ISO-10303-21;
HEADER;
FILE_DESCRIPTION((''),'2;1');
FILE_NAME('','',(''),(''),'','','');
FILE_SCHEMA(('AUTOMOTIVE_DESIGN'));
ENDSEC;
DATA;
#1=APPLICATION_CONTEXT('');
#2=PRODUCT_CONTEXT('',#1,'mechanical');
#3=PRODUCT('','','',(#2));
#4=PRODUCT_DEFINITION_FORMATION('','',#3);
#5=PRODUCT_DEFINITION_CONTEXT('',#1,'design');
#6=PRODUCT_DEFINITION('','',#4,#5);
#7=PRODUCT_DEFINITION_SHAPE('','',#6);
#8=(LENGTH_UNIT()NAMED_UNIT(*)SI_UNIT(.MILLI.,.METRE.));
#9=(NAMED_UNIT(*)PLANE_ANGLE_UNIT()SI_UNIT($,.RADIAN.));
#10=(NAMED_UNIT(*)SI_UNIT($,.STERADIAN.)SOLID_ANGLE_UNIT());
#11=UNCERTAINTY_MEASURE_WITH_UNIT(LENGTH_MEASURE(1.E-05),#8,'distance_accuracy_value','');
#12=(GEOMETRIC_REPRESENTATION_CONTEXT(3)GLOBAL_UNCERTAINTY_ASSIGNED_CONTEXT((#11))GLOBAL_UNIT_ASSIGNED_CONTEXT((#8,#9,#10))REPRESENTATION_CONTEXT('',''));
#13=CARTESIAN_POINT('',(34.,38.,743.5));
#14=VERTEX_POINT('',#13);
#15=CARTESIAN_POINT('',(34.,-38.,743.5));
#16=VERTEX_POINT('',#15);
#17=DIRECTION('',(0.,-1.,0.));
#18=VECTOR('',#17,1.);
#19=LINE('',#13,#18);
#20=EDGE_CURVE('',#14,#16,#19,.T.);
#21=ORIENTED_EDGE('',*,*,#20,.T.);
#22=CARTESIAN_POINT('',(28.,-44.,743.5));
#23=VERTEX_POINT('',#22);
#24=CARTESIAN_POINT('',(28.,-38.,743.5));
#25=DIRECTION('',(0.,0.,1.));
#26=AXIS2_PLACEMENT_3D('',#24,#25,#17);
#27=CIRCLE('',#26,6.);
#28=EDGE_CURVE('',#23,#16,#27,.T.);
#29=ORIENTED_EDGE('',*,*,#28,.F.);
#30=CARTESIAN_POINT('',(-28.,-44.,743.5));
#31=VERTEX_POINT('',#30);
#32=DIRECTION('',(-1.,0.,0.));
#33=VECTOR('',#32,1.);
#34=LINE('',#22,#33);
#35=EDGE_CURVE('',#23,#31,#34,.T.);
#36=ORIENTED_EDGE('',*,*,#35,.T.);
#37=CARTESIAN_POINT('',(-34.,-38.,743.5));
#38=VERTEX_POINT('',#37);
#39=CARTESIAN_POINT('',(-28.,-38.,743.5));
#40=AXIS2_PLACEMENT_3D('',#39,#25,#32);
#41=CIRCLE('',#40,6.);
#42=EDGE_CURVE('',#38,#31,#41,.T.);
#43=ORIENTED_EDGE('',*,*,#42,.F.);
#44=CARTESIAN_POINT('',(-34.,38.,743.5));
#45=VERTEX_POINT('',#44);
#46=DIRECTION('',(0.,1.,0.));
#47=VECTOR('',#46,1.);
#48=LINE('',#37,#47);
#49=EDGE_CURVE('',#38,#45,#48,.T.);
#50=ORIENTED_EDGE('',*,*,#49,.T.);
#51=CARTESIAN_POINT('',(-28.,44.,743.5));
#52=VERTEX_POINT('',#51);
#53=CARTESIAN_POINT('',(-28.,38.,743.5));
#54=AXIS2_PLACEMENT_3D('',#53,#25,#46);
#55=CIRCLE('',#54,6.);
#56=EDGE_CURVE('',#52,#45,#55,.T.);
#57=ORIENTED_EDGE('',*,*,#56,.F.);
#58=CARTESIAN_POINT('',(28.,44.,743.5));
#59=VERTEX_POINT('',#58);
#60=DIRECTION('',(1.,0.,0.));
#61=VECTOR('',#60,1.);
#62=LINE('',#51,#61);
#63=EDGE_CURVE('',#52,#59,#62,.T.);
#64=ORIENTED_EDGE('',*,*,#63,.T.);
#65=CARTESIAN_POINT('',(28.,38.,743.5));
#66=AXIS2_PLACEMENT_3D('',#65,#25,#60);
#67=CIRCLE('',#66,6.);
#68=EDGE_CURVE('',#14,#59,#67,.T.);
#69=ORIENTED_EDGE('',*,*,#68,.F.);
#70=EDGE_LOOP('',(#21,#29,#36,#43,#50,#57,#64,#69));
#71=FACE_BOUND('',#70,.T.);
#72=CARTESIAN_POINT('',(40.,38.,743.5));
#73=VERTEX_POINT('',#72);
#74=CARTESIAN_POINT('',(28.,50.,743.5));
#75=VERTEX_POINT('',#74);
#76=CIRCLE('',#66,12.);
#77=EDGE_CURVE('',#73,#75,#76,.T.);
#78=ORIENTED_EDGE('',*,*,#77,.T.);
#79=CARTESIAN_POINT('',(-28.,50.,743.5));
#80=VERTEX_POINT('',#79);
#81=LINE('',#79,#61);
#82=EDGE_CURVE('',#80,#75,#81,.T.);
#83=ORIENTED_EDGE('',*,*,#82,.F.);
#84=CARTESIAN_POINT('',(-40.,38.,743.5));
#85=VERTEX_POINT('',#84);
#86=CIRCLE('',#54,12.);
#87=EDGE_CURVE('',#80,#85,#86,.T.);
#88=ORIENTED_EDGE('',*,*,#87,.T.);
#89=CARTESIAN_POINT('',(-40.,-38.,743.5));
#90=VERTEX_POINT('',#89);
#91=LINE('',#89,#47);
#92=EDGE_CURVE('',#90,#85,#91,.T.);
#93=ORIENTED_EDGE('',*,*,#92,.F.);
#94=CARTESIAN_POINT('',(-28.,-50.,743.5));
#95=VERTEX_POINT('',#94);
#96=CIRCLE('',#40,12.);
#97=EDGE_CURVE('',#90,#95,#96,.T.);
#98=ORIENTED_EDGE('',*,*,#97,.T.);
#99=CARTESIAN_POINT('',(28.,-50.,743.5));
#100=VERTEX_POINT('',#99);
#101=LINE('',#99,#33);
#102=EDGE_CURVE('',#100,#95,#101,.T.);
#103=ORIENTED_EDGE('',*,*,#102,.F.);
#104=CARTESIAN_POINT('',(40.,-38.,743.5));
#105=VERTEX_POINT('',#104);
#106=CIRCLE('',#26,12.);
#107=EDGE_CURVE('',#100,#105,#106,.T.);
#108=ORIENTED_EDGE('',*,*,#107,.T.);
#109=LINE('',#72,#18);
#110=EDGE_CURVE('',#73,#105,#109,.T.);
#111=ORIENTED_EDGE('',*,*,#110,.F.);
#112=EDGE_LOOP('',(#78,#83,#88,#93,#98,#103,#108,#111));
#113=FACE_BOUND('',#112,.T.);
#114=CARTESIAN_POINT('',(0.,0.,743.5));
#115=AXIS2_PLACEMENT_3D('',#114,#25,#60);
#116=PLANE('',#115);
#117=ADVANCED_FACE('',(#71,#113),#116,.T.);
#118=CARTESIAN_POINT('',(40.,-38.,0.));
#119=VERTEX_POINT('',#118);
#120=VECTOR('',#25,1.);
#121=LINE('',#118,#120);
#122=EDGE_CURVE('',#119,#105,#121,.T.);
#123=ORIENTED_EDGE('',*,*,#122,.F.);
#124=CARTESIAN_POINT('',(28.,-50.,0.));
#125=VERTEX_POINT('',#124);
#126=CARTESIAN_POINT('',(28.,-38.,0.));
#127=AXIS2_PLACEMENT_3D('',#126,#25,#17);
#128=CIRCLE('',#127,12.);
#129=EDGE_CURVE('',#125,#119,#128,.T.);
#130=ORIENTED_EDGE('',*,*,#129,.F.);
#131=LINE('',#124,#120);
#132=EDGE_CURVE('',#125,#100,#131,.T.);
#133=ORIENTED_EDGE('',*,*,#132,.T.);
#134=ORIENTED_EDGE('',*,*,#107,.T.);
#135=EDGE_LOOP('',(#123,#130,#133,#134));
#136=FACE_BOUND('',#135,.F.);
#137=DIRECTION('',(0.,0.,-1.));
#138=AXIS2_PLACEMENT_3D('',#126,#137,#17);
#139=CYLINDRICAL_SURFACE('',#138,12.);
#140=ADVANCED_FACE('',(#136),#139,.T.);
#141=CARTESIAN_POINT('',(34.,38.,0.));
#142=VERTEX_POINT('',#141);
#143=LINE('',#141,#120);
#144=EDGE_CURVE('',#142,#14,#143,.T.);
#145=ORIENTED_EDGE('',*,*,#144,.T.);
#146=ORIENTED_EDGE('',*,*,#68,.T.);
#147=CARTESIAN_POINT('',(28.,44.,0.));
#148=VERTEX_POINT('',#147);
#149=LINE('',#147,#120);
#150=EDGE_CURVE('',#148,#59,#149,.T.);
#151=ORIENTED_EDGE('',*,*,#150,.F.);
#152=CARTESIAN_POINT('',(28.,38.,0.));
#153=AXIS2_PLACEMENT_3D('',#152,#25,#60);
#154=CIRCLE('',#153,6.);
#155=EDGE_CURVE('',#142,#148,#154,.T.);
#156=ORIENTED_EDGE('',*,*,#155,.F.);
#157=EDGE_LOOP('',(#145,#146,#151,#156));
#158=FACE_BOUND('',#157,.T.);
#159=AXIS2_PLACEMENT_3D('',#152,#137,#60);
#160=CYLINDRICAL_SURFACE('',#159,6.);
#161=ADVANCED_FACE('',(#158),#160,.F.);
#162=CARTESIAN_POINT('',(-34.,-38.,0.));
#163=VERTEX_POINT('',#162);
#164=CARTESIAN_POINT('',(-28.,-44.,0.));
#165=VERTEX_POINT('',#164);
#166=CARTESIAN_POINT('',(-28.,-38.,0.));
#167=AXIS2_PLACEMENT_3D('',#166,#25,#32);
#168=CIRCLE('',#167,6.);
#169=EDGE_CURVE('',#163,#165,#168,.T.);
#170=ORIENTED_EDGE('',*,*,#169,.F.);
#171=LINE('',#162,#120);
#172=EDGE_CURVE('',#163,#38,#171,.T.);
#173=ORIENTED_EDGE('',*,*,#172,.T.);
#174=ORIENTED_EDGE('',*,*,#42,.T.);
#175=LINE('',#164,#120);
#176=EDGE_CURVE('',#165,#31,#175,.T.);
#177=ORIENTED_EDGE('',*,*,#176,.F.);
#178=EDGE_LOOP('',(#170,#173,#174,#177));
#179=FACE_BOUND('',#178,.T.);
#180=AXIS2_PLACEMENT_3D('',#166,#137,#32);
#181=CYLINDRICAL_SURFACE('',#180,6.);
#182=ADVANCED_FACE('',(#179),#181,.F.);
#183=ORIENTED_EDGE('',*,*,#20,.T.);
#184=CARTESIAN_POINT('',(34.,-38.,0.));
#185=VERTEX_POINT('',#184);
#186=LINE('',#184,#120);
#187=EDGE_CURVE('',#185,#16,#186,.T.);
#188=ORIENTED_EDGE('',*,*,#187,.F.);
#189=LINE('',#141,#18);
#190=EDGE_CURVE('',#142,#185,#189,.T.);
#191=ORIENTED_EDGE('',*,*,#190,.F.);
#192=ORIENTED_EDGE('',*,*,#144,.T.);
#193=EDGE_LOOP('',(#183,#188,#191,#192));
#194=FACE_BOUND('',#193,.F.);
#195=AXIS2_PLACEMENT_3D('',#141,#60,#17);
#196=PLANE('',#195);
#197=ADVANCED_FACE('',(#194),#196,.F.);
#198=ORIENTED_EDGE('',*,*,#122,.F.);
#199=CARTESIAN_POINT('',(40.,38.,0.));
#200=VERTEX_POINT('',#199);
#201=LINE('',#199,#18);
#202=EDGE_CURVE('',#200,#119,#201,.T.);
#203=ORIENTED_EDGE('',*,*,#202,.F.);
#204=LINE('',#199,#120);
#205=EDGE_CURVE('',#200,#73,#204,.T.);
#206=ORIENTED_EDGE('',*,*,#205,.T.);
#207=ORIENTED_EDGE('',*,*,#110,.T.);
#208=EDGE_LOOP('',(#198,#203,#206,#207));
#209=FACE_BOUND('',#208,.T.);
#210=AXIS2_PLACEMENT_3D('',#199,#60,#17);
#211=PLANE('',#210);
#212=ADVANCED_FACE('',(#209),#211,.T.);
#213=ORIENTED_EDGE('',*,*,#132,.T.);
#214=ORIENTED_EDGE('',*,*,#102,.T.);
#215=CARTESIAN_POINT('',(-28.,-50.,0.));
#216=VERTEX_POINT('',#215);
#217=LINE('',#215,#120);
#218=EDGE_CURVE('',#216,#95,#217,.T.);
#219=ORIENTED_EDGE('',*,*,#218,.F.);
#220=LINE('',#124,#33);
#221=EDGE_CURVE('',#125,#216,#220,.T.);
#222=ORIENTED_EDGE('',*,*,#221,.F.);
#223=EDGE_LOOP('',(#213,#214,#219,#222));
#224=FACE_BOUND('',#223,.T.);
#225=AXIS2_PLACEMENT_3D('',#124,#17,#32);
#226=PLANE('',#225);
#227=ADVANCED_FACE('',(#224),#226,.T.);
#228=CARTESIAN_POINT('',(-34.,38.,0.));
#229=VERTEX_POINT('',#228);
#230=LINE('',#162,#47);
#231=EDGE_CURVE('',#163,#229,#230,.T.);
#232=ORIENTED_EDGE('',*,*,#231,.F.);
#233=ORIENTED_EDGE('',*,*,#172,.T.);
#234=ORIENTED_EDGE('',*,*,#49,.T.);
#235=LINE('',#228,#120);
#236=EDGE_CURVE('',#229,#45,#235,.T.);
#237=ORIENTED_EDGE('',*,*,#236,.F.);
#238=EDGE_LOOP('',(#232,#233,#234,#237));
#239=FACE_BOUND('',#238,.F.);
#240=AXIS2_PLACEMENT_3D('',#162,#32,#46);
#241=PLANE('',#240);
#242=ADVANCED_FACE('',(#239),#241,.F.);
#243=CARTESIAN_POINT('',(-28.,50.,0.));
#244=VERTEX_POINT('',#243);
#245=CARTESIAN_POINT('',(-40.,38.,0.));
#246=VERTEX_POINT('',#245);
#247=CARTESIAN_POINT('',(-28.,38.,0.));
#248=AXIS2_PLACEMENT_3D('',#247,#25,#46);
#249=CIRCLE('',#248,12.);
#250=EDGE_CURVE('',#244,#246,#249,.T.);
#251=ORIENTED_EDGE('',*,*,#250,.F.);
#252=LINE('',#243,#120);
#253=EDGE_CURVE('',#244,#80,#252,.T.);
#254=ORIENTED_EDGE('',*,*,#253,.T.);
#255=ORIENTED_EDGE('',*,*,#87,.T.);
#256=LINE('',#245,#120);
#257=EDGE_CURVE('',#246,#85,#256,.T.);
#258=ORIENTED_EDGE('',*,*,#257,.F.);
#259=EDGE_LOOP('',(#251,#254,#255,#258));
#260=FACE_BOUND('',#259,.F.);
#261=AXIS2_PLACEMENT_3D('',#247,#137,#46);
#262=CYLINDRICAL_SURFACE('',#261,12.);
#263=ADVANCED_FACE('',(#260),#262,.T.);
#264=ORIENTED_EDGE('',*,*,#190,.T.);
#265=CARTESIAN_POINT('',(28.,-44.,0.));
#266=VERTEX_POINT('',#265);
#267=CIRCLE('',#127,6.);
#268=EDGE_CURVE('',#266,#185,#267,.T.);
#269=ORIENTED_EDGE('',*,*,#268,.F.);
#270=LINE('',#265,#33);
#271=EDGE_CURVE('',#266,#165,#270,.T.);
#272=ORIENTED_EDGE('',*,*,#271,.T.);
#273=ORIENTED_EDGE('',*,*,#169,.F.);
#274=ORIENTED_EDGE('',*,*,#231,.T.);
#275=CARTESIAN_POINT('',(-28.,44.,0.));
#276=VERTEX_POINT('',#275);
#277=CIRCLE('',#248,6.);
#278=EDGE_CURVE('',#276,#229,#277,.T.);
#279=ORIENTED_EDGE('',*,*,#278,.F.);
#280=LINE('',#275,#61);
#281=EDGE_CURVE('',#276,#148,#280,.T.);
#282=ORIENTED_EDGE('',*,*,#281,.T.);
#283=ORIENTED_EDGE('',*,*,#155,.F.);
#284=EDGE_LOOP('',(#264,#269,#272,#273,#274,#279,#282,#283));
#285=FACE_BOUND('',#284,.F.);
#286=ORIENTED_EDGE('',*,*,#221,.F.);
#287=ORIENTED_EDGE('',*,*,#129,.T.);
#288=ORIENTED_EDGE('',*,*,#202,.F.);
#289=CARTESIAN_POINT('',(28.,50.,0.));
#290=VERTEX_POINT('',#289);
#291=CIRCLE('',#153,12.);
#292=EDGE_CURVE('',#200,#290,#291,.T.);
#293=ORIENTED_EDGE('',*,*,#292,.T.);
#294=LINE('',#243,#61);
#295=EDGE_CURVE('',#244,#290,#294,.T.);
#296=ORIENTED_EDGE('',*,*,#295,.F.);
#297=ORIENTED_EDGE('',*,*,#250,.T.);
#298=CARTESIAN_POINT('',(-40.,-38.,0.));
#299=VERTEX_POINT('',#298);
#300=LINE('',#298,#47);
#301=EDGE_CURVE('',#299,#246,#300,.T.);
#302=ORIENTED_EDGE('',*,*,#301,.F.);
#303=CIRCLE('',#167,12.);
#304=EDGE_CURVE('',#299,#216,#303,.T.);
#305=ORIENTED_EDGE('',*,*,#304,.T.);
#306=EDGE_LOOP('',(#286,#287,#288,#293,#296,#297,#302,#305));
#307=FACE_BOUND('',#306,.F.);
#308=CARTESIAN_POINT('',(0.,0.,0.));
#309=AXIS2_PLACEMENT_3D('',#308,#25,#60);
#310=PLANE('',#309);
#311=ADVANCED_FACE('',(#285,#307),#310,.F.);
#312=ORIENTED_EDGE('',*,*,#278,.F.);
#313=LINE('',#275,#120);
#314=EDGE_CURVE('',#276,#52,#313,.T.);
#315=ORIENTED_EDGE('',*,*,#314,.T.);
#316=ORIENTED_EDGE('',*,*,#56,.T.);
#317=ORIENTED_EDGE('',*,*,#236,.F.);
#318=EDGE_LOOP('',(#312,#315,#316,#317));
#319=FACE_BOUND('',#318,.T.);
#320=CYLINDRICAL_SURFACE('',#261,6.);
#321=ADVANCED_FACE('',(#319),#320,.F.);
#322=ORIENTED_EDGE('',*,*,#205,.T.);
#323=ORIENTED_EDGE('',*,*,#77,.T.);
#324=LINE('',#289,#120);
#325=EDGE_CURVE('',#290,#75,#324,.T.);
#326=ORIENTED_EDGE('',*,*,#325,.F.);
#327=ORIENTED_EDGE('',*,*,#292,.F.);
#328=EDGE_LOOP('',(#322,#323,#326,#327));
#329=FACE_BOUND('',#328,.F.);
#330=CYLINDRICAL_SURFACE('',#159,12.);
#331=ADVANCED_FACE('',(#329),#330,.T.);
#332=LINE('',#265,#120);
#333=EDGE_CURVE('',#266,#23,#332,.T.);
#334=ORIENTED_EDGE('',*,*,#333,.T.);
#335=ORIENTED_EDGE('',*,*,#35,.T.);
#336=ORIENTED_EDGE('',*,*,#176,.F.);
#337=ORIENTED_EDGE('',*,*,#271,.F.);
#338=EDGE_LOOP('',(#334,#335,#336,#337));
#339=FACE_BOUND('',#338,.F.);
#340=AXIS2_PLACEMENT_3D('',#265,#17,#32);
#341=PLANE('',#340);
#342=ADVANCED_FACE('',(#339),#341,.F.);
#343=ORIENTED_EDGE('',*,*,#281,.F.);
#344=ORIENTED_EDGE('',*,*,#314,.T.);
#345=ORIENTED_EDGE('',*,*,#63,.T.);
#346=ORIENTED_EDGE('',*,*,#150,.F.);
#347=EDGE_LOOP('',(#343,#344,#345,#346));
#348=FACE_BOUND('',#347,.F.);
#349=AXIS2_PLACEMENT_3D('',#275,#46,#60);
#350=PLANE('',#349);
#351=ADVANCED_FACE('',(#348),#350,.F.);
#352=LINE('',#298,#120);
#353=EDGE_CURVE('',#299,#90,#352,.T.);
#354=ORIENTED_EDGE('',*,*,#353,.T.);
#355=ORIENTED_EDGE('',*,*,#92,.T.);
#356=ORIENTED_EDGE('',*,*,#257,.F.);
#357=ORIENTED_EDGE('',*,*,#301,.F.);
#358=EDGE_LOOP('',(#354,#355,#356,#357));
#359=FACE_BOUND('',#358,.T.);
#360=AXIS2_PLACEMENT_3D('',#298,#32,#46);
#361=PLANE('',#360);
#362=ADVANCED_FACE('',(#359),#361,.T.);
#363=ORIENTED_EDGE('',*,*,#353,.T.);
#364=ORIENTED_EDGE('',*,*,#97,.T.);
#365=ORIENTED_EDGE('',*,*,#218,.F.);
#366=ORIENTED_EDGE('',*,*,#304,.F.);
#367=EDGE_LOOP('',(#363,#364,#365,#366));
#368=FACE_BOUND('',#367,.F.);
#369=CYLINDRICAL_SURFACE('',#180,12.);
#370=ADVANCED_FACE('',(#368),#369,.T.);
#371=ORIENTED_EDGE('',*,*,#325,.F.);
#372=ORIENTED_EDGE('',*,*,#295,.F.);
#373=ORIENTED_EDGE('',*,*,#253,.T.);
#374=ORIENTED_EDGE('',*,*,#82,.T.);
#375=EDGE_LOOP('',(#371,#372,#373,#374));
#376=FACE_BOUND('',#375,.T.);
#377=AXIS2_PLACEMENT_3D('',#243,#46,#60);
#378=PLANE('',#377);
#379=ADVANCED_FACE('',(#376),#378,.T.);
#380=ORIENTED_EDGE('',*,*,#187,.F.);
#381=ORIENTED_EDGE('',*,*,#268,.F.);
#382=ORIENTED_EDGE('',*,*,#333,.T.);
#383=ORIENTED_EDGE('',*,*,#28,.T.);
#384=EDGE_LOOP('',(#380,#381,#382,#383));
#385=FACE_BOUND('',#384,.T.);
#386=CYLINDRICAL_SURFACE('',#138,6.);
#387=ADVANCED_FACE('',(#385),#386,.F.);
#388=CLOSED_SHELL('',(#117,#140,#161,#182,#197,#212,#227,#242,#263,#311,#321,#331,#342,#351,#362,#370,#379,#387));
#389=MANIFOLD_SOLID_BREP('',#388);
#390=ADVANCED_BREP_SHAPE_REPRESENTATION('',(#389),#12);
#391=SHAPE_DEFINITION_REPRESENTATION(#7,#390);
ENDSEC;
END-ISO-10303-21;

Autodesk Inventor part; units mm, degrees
ref_plane "YZ Plane" through (0, 0, 0) normal (1, 0, 0) x (0, 1, 0)
ref_plane "Start plane" through (0, 0, 0) normal (0, 0, 1) x (1, 0, 0)
ref_plane "End plane" through (0, 0, 655) normal (0, 0, 1) x (1, 0, 0)
sketch "Sketch" plane through (0, 0, 0) normal (0, 0, 1) x (1, 0, 0)
  line L0 (-40, -38) -> (-40, 38)
  line L1 (-28, 50) -> (28, 50)
  line L2 (40, 38) -> (40, -38)
  line L3 (28, -50) -> (-28, -50)
  arc A0 (-40, -38) -> (-28, -50) centre (-28, -38) ccw
  arc A1 (-28, 50) -> (-40, 38) centre (-28, 38) ccw
  arc A2 (40, 38) -> (28, 50) centre (28, 38) ccw
  arc A3 (28, -50) -> (40, -38) centre (28, -38) ccw
  arc A4 (-28, 44) -> (-34, 38) centre (-28, 38) ccw
  line L4 (-28, 44) -> (28, 44)
  arc A5 (34, 38) -> (28, 44) centre (28, 38) ccw
  line L5 (34, 38) -> (34, -38)
  arc A6 (28, -44) -> (34, -38) centre (28, -38) ccw
  line L6 (28, -44) -> (-28, -44)
  arc A7 (-34, -38) -> (-28, -44) centre (-28, -38) ccw
  line L7 (-34, -38) -> (-34, 38)
  line L8 (0, 86.2319) -> (0, -132.2642) construction
  line L9 (-59.4794, 0) -> (59.4794, 0) construction
  dimension "d7" = 12
  dimension "d10" = 100
  dimension "d11" = 80
  dimension "d12" = 6
  dimension "d15" = 50
  dimension "d16" = 40
extrude "Body" add sketch "Sketch" along normal blind 743.5
sketch "Sketch3" plane through (0, 0, 0) normal (0, 0, 1) x (1, 0, 0)
  line L0 (0, 0) -> (10, 0)
ref_plane "Work Plane3" through (0, 0, 0) normal (0, -1, 0) x (1, 0, 0)
sketch "Sketch4" plane through (0, 0, 0) normal (0, -1, 0) x (1, 0, 0)
  line L0 (-8, 0) -> (48, 0)
  line L1 (-8, 655) -> (48, 655)
  dimension "d18" = 655
equation "\"d7\" = G_IR"
equation "\"d10\" = G_H"
equation "\"d11\" = G_W"
equation "\"d12\" = G_T"
equation "\"d15\" = 0.5 * d10"
equation "\"d16\" = 0.5 * d11"
equation "\"G_W\" = 80"
equation "\"G_H\" = 100"
equation "\"G_T\" = 6"
equation "\"G_IR\" = 12"
equation "\"G_L\" = d18"
equation "\"G_OFFSET_START\" = 0"
equation "\"G_OFFSET_END\" = 0"
equation "\"d14\" = G_OFFSET_END + B_L"
equation "\"B_L\" = 655"
properties part number "PN EN 10219-2 - 100 x 80 x 6  - 655" material "Steel, Mild"
